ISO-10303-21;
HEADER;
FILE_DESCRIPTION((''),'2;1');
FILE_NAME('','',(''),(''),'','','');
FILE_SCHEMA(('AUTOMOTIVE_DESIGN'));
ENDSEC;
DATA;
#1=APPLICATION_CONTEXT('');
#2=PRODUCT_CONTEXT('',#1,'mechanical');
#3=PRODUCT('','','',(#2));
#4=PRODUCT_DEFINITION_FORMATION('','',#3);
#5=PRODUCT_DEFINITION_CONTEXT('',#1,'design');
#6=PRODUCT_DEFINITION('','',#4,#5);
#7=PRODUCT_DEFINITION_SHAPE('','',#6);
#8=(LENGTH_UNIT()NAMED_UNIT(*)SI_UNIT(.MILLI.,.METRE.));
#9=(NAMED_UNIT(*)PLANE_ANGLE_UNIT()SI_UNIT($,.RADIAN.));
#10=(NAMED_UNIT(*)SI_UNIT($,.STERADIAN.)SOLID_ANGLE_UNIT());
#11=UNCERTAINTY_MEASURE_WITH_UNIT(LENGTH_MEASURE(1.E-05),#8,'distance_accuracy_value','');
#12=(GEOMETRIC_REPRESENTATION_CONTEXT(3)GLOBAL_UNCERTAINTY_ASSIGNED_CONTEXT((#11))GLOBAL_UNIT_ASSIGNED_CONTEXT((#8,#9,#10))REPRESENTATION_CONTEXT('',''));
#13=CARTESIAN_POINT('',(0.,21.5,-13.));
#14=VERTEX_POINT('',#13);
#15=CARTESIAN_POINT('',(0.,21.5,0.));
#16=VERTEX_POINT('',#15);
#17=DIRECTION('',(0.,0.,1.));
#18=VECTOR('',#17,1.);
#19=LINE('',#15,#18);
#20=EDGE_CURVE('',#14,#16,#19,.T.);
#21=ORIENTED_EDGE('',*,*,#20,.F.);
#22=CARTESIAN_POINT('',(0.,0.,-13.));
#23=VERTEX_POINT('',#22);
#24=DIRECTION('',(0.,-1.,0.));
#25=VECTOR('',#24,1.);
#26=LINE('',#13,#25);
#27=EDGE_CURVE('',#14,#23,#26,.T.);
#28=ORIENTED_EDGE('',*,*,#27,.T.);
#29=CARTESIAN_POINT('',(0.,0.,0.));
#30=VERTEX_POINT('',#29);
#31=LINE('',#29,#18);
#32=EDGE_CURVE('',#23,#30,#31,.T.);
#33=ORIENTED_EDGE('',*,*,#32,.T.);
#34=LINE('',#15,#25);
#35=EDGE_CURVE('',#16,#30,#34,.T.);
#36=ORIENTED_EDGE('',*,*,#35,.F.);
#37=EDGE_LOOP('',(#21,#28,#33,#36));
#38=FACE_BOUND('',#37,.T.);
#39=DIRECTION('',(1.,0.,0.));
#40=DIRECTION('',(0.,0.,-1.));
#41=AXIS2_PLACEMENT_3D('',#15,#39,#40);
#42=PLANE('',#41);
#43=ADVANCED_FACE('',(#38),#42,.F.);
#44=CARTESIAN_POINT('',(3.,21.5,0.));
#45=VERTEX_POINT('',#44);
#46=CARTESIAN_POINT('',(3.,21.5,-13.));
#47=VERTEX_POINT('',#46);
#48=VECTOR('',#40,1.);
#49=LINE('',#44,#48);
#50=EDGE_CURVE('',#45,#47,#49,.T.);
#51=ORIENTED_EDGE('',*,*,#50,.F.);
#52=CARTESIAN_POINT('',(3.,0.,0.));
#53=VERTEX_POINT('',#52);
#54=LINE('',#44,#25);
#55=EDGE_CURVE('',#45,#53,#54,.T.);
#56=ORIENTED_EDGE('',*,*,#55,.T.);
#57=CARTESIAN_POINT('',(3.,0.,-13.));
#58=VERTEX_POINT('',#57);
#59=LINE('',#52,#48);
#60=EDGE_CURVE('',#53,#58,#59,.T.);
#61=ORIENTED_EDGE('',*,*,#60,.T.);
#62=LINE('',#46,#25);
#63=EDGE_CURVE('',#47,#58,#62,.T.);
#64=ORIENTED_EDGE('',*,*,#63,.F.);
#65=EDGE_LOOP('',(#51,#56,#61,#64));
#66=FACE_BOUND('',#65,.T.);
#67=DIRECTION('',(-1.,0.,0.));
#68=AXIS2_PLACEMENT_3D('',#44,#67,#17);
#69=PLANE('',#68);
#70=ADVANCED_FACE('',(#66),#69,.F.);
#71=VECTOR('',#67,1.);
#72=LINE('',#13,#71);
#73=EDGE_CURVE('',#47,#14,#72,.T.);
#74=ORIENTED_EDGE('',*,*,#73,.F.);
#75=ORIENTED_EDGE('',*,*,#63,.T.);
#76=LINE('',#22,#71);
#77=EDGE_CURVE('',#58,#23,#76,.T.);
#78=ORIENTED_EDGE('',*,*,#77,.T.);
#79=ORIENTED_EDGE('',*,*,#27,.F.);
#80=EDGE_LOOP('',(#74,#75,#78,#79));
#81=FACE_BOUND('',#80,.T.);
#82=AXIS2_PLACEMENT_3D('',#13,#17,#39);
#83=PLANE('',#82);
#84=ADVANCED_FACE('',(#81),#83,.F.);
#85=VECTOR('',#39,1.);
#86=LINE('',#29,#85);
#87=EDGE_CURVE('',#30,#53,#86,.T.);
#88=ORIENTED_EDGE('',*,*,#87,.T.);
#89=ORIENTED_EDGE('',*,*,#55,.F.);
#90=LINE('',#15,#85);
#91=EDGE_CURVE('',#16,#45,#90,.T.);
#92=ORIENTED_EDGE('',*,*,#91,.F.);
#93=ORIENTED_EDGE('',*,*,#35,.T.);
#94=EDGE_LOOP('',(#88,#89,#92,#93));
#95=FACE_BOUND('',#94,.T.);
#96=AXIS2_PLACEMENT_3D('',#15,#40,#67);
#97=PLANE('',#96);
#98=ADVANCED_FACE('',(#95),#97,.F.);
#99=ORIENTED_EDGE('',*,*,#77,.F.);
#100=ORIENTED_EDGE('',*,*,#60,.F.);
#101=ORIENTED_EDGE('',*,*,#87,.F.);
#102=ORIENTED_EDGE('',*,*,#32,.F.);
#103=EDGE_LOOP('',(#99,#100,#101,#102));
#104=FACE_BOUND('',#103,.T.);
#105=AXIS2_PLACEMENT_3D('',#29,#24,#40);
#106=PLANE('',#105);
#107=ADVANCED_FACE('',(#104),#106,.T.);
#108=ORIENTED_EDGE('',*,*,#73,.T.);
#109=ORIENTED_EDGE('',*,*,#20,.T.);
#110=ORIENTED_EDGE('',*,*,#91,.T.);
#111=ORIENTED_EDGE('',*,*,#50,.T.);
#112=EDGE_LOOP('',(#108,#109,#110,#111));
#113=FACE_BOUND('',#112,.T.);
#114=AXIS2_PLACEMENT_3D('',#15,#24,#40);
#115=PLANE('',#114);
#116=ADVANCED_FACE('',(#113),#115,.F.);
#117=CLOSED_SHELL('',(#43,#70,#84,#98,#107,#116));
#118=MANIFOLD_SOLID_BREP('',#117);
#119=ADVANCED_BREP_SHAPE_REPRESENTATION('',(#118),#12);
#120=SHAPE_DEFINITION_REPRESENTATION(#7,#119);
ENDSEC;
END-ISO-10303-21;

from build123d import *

# Parameters (mm, degrees)
ESBO_O1_W                = 3
ESBO_O1_H                = 13
RESSALTO_EXTRUS_O1_DEPTH = 21.5


with BuildPart() as part:
    # Esboço1 → Ressalto-extrusão1 (new body)
    with BuildSketch(Plane(origin=(0, 0, 0), x_dir=(1, 0, 0), z_dir=(0, 1, 0))):
        with Locations((1.5, 6.5)):
            Rectangle(ESBO_O1_W, ESBO_O1_H)
    extrude(amount=RESSALTO_EXTRUS_O1_DEPTH)


solid = part.part
